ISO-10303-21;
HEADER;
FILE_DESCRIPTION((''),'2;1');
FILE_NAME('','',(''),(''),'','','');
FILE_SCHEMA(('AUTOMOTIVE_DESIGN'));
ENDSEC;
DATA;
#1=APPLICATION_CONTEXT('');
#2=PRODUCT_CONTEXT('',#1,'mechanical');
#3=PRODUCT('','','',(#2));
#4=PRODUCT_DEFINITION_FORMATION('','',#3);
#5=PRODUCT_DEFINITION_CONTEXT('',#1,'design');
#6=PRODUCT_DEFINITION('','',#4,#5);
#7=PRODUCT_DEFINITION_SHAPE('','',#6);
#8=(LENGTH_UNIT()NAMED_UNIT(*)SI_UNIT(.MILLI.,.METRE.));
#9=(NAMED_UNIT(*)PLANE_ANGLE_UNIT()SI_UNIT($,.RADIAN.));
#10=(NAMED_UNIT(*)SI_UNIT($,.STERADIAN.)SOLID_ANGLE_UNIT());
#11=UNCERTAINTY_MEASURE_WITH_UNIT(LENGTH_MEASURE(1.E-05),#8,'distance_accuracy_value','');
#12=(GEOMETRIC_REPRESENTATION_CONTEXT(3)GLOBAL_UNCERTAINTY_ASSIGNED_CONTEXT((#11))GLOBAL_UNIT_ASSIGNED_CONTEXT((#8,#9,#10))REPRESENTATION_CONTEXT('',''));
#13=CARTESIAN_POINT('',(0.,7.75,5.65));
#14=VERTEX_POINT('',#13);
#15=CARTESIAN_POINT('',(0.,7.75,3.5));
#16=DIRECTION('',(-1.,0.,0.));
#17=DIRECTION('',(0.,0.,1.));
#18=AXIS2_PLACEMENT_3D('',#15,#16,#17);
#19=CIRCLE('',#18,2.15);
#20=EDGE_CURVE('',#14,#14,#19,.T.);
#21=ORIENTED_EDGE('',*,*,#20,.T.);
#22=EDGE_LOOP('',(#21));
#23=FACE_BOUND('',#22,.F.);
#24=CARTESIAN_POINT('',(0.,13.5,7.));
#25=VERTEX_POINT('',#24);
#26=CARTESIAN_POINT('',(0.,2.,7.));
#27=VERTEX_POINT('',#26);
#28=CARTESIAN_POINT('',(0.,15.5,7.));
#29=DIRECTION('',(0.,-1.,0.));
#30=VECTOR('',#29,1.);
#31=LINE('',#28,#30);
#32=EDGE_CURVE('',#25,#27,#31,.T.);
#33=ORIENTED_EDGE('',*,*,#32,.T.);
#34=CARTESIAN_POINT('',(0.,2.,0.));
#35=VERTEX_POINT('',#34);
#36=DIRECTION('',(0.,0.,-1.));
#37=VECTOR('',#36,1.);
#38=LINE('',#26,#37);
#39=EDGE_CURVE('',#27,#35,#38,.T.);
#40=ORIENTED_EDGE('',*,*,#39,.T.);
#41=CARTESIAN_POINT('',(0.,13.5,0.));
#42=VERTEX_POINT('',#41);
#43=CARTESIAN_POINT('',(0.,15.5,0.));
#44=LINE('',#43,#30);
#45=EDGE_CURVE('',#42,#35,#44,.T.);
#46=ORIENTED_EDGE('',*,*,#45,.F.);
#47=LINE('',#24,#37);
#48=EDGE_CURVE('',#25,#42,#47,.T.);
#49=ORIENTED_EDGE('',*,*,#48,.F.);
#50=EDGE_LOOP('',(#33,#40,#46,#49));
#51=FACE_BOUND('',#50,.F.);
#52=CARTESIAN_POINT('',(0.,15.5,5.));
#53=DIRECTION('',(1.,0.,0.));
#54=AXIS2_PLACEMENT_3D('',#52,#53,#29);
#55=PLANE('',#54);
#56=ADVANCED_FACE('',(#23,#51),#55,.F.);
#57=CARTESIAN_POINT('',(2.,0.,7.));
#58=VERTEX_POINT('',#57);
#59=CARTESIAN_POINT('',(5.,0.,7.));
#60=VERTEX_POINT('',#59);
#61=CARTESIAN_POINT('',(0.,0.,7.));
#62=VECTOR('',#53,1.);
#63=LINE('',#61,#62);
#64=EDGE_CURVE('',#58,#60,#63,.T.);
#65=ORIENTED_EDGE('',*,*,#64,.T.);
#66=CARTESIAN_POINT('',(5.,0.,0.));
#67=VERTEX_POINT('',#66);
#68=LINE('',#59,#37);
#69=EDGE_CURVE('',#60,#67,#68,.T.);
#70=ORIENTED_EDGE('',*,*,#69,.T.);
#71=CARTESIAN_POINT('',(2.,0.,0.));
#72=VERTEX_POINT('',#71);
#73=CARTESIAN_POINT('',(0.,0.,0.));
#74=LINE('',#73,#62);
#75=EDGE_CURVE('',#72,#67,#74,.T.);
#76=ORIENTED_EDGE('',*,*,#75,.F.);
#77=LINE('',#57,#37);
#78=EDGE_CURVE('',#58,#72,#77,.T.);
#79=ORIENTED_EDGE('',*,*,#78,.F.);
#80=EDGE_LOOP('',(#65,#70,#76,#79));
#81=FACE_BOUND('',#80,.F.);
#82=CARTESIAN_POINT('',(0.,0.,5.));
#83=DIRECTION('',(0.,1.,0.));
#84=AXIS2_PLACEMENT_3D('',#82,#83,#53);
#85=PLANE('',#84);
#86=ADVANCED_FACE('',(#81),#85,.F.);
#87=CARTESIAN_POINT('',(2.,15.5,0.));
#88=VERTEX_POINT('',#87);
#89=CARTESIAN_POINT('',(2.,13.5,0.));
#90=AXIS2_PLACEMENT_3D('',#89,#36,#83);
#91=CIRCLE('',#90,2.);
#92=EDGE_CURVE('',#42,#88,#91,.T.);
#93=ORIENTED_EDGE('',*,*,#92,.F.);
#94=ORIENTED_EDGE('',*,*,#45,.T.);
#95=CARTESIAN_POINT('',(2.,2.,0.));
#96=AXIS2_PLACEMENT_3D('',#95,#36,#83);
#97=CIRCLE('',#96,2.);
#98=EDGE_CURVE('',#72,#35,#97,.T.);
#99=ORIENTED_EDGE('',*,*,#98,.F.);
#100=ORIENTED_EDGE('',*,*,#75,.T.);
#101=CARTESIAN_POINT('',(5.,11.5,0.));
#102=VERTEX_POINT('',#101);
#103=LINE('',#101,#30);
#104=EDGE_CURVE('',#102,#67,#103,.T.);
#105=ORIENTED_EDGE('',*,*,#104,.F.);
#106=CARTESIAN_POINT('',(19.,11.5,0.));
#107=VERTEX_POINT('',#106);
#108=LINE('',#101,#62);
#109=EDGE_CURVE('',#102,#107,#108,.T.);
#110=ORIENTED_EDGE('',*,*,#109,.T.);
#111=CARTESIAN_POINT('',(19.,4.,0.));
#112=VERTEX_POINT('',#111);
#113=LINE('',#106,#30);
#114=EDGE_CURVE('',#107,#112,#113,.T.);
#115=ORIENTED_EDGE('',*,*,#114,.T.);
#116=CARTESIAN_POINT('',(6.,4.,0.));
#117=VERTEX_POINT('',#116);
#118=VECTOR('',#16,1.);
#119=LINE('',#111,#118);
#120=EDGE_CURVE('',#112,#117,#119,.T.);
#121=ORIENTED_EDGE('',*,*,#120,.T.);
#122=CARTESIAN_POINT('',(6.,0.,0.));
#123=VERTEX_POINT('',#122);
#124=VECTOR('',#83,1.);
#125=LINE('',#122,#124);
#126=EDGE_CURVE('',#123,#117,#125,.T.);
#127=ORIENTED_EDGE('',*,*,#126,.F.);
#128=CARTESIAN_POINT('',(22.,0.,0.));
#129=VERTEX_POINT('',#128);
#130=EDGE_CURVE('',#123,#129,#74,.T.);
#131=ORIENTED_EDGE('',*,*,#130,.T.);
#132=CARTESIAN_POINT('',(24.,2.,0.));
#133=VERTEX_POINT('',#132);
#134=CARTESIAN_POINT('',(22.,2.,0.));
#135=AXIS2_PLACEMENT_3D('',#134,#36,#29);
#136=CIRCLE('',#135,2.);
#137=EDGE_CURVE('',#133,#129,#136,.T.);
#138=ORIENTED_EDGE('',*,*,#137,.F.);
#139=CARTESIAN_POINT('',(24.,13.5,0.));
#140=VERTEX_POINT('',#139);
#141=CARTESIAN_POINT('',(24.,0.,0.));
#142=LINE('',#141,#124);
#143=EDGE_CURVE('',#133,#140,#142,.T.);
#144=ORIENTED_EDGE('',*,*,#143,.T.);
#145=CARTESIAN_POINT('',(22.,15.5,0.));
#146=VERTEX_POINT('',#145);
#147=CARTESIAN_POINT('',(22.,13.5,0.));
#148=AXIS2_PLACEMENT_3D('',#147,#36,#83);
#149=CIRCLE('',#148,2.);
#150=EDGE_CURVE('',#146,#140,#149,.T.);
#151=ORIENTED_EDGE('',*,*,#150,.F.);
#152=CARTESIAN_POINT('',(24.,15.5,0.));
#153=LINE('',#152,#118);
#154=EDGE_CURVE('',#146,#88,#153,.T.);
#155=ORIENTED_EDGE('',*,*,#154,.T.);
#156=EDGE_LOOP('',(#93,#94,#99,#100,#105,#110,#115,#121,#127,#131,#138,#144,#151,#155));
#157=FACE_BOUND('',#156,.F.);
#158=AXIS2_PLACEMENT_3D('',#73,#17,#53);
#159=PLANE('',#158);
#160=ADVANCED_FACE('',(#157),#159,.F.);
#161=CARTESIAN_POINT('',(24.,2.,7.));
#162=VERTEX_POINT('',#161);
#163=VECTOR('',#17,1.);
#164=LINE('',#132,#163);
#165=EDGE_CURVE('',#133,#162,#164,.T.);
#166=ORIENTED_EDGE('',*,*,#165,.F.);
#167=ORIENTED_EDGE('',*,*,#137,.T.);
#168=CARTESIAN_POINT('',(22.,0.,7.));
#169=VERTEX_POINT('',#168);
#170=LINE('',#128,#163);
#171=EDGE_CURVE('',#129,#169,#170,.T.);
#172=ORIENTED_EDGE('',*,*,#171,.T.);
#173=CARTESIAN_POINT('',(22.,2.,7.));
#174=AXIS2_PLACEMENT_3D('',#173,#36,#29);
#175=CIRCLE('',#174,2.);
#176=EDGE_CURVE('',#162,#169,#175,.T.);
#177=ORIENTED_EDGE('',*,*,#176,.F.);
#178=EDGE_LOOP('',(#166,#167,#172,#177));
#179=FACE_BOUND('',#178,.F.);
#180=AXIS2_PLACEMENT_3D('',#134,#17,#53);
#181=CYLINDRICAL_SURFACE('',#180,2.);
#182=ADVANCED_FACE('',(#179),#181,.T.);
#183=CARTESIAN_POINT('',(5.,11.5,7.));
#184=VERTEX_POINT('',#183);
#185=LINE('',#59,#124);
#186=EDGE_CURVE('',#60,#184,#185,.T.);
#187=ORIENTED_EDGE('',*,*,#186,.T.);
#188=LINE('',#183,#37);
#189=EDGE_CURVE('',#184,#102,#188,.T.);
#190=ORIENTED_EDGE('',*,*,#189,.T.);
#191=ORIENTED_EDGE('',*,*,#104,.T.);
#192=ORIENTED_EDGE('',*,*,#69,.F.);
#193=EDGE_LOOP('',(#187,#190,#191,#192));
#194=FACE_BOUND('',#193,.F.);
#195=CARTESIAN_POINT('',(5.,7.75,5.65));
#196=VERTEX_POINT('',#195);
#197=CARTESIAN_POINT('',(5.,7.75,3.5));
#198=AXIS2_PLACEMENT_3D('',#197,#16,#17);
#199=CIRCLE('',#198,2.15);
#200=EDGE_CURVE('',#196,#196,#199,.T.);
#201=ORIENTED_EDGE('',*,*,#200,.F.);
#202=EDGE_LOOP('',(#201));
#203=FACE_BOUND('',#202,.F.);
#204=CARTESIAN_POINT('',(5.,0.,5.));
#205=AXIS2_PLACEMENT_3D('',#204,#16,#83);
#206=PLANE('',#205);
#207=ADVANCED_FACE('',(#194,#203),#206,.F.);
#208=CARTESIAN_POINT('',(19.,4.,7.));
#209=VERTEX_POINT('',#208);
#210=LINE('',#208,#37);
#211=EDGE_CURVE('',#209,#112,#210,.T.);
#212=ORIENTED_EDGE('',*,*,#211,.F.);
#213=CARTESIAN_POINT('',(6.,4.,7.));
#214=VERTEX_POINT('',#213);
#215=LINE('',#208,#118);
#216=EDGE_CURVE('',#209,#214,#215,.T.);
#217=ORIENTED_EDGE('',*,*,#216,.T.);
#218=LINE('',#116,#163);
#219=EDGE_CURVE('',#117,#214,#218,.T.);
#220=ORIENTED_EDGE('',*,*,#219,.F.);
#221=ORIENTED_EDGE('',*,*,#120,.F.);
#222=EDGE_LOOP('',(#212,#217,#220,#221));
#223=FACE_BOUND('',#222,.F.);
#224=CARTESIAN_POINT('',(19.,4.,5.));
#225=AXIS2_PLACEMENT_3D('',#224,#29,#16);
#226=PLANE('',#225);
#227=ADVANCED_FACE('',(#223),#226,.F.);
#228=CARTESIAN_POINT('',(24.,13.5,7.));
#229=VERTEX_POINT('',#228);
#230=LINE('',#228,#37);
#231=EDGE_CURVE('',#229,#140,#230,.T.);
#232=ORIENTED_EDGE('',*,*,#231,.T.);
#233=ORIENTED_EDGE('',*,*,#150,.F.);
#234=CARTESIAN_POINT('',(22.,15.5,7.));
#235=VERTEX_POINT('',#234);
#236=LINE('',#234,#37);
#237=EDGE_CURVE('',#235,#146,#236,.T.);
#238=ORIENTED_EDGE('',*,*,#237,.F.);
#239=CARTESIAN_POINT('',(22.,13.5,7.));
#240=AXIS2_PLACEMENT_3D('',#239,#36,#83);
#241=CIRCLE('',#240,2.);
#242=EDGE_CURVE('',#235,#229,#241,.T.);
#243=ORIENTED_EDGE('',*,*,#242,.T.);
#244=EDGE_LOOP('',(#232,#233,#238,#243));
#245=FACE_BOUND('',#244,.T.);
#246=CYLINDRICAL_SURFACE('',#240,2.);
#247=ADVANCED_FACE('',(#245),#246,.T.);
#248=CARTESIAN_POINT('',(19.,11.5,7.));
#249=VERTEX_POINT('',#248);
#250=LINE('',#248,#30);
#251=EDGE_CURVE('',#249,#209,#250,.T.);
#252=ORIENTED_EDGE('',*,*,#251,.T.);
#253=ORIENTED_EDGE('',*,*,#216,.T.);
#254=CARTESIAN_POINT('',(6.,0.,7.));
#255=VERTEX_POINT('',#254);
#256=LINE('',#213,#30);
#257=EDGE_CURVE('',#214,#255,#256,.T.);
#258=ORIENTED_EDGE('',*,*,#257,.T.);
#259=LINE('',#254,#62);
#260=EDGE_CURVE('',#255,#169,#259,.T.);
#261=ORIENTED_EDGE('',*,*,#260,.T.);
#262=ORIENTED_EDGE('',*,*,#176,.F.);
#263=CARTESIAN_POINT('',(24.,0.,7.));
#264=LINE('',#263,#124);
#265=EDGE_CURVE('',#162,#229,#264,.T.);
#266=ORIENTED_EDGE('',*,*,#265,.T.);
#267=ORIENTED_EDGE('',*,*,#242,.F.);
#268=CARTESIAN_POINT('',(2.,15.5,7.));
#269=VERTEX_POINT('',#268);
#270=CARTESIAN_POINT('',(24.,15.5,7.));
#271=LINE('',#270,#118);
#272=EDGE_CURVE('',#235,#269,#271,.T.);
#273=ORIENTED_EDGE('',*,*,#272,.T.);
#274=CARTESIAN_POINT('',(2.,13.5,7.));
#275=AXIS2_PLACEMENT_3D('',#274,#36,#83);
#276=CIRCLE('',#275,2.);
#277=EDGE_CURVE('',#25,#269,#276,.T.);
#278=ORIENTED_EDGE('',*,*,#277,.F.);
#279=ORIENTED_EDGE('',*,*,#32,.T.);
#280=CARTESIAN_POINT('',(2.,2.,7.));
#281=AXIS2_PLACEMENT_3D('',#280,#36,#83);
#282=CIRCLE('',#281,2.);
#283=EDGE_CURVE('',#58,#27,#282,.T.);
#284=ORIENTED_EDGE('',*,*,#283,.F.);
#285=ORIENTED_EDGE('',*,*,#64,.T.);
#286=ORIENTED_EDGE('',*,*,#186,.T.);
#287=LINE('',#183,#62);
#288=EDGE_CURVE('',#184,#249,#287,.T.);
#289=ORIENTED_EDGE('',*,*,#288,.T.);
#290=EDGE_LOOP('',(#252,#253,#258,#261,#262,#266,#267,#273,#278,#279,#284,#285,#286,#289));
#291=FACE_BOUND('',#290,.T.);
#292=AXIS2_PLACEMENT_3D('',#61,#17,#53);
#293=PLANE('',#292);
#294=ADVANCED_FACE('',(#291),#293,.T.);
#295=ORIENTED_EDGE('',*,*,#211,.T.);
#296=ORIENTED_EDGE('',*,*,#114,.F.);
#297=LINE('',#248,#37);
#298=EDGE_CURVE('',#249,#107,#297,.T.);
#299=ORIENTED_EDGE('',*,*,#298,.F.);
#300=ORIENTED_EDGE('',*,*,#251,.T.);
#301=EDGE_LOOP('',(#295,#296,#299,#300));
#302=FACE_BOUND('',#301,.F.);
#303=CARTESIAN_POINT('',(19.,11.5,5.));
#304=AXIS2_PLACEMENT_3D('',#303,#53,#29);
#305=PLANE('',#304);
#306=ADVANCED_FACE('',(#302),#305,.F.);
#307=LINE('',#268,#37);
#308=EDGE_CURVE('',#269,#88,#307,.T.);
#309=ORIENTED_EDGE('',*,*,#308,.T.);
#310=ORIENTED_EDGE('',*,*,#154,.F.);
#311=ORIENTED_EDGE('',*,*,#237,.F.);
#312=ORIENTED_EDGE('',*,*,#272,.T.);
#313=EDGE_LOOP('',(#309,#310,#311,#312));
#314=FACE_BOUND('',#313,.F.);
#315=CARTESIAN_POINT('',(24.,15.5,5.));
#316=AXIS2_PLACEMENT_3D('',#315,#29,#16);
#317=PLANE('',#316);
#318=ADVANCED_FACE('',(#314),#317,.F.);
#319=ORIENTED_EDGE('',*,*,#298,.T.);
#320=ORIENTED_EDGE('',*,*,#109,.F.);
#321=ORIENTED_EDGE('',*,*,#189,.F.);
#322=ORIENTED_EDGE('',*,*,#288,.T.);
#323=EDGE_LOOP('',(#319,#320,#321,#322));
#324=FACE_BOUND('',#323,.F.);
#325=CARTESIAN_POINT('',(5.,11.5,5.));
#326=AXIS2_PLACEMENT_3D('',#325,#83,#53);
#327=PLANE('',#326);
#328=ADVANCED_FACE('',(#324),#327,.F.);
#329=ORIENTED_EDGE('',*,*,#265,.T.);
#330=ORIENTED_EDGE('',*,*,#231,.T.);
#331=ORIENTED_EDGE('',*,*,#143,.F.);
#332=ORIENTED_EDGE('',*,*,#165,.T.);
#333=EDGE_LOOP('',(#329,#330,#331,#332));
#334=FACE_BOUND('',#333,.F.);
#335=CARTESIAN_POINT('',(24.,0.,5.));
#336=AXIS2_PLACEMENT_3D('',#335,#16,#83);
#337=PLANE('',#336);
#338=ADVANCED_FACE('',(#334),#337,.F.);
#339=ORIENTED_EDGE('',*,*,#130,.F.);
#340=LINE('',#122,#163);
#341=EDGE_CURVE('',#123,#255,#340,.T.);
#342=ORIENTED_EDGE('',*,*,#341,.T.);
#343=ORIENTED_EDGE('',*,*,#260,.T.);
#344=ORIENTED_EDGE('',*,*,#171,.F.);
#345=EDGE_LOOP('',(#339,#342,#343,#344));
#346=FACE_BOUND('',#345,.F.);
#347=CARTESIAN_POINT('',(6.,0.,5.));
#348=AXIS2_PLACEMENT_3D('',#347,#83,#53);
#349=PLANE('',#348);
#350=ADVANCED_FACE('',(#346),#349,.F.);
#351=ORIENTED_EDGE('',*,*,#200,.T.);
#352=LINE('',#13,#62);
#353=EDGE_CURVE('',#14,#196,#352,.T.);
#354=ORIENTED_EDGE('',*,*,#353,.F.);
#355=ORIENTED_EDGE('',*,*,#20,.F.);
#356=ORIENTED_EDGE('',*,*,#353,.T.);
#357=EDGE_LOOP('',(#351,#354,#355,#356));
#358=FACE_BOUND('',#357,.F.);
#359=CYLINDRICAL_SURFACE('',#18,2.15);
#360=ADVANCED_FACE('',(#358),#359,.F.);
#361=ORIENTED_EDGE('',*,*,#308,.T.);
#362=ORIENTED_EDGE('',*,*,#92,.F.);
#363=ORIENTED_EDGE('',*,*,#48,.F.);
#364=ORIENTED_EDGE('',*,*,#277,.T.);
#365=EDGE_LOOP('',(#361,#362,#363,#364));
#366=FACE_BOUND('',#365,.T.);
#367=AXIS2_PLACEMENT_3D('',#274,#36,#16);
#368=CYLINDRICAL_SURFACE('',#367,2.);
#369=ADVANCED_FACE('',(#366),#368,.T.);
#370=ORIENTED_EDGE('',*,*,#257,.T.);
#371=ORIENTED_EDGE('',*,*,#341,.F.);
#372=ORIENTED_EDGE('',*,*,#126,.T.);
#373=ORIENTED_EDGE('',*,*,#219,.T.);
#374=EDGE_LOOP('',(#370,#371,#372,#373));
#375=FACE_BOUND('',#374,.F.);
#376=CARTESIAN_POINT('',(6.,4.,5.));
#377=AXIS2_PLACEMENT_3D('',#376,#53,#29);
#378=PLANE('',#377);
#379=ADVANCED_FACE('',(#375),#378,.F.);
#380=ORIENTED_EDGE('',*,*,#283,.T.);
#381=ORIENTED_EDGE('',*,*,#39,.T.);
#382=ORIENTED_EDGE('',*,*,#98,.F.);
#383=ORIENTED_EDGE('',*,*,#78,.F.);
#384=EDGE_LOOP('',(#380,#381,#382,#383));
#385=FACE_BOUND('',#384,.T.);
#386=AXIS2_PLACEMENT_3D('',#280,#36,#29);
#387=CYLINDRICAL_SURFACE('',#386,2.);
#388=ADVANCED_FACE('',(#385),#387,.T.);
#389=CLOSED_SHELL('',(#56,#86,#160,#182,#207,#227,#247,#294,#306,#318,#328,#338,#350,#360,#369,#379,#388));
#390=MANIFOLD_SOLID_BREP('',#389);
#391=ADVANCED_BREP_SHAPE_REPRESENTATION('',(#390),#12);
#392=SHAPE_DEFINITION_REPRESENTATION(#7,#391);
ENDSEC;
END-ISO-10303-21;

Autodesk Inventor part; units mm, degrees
ref_plane "YZ Plane" through (0, 0, 0) normal (1, 0, 0) x (0, 1, 0)
ref_plane "XZ Plane" through (0, 0, 0) normal (0, 1, 0) x (-1, 0, 0)
ref_plane "XY Plane" through (0, 0, 0) normal (0, 0, 1) x (1, 0, 0)
sketch "Sketch1" plane through (0, 0, 0) normal (0, 0, 1) x (1, 0, 0)
  line L0 (0, 0) -> (24, 0)
  line L1 (24, 0) -> (24, 15.5)
  line L2 (24, 15.5) -> (0, 15.5)
  line L3 (0, 15.5) -> (0, 0)
  dimension "d0" = 24
  dimension "d1" = 15.5
extrude "Extrusion1" add sketch "Sketch1" along normal blind 5
sketch "Sketch7" plane through (0, 0, 5) normal (0, 0, 1) x (1, 0, 0)
  line L0 (24, 15.5) -> (0, 15.5) projected
  line L1 (0, 15.5) -> (0, 0) projected
  line L2 (5, 11.5) -> (19, 11.5)
  line L3 (19, 11.5) -> (19, 4)
  line L4 (19, 4) -> (5, 4)
  line L5 (5, 4) -> (5, 11.5)
  point P0 (12, 11.5)
  point P1 (12, 15.5)
  point P2 (5, 7.75)
  point P3 (0, 7.75)
  dimension "d21" = 14
  dimension "d22" = 7.5
extrude "Extrusion7" cut sketch "Sketch7" against normal blind 5
sketch "Sketch8" plane through (0, 0, 0) normal (0, -1, 0) x (1, 0, 0)
  line L0 (0, 0) -> (24, 0) projected
  line L1 (5, 5) -> (5, 0) construction
  line L2 (5, 5) -> (6, 5)
  line L3 (6, 5) -> (6, 0)
  line L4 (6, 0) -> (5, 0)
  line L5 (5, 0) -> (5, 5)
  line L6 (0, 0) -> (0, 5) projected
  dimension "d34" = 5
extrude "Extrusion8" cut sketch "Sketch8" against normal blind 5
sketch "Sketch9" plane through (0, 0, 5) normal (0, 0, 1) x (1, 0, 0)
  line L0 (6, 4) -> (6, 0) projected
  line L1 (6, 0) -> (24, 0) projected
  line L2 (24, 0) -> (24, 15.5) projected
  line L3 (24, 15.5) -> (0, 15.5) projected
  line L4 (0, 15.5) -> (0, 0) projected
  line L5 (0, 0) -> (5, 0) projected
  line L6 (5, 0) -> (5, 11.5) projected
  line L7 (5, 11.5) -> (19, 11.5) projected
  line L8 (19, 11.5) -> (19, 4) projected
  line L9 (19, 4) -> (6, 4) projected
extrude "Extrusion9" add sketch "Sketch9" along normal blind 2
sketch "Sketch10" plane through (0, 0, 0) normal (-1, 0, 0) x (0, 0, 1)
  circle A0 centre (3.5, 7.75) radius 2.15
  dimension "d30" = 4.3
extrude "Extrusion10" cut sketch "Sketch10" against normal blind 5
fillet "Fillet2" radius 2 4 edges at (24, 0, 3.5) (24, 15.5, 3.5) (0, 0, 3.5) (0, 15.5, 3.5)
properties part number "CounterWeightHook"
